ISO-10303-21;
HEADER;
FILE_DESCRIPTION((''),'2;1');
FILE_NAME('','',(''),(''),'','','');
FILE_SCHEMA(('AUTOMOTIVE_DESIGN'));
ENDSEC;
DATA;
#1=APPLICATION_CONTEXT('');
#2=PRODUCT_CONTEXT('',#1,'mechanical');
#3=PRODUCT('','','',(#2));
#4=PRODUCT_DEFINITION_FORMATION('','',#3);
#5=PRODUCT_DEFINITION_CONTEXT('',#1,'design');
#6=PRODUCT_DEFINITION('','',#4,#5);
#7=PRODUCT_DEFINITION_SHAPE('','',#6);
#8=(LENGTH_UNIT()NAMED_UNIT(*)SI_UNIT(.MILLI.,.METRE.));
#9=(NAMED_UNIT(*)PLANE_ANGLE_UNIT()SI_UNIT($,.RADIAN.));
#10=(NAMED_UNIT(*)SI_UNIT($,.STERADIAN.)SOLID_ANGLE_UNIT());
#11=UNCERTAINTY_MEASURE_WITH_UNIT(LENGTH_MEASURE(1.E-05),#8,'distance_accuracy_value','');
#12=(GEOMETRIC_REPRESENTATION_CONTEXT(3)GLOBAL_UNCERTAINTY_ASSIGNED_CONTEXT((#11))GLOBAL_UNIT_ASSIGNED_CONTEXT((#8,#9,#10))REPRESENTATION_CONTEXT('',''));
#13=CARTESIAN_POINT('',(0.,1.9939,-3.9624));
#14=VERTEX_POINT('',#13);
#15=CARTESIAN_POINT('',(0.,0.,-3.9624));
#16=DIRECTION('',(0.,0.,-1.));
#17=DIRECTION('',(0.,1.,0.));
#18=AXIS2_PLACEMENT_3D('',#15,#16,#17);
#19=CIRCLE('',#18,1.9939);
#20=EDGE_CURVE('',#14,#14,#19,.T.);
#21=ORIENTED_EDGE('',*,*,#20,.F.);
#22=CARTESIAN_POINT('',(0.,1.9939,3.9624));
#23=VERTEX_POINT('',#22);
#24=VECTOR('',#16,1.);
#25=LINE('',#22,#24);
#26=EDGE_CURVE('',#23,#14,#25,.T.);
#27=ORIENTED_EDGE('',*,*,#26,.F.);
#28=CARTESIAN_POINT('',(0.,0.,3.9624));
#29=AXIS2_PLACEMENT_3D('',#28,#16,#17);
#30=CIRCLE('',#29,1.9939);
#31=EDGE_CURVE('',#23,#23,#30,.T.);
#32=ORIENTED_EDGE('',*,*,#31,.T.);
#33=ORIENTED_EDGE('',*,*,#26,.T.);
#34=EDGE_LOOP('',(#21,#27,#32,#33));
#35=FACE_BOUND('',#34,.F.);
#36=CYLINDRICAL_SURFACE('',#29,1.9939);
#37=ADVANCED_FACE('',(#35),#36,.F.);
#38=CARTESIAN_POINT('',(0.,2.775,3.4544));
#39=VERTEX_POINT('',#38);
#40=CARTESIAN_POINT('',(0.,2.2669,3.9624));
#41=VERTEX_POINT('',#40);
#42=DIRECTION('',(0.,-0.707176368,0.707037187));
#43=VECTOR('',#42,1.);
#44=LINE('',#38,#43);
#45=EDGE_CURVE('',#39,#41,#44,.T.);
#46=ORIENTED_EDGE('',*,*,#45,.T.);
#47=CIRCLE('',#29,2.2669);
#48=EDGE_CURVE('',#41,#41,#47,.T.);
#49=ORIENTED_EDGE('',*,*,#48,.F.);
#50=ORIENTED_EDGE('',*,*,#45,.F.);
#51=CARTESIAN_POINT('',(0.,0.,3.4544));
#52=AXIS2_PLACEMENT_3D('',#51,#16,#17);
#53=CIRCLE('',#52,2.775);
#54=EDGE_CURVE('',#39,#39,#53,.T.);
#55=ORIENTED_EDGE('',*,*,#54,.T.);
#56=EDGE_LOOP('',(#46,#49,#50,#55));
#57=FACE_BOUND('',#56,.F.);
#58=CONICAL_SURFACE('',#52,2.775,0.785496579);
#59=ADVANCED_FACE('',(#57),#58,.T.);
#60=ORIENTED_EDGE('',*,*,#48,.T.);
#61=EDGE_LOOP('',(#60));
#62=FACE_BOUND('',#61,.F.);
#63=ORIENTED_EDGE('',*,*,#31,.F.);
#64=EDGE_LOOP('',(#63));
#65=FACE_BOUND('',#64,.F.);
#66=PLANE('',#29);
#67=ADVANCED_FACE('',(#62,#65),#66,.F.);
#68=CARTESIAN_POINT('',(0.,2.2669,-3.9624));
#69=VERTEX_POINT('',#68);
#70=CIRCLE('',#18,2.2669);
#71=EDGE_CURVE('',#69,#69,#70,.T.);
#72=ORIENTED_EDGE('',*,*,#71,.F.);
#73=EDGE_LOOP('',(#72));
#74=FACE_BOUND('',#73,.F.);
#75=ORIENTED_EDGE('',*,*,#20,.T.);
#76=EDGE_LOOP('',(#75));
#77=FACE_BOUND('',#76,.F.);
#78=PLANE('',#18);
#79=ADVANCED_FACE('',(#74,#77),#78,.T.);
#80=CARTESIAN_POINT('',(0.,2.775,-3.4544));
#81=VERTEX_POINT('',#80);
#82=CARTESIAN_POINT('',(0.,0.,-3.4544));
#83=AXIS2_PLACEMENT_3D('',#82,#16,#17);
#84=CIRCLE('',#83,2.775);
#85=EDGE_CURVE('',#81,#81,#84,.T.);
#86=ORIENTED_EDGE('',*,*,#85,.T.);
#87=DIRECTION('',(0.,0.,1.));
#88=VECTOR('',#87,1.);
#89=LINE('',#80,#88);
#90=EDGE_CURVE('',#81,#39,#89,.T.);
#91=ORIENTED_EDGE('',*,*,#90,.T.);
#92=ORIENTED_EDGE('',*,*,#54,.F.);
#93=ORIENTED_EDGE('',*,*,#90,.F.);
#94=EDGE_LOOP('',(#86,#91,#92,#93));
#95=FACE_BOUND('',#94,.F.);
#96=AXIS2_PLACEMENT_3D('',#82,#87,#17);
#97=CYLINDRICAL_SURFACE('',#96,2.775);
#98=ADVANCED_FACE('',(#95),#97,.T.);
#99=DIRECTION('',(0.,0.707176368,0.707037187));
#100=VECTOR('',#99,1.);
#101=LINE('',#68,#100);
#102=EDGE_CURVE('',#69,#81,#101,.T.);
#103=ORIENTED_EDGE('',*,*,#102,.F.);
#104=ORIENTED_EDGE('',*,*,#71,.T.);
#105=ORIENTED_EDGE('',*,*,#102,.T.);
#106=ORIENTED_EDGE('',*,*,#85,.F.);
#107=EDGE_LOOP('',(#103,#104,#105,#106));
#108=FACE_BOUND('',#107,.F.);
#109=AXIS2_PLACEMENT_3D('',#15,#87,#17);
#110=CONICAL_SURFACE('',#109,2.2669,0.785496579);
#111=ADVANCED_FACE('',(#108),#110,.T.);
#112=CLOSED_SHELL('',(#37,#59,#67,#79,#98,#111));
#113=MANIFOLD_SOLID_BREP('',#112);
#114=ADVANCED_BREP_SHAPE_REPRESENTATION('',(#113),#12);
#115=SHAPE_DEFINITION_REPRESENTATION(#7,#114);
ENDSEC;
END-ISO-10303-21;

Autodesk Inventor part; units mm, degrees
sketch "Sketch_1" plane through (0, 0, 0) normal (1, 0, 0) x (0, 1, 0)
  line L0 (0, -3.9624) -> (0, 3.9624)
  line L1 (1.9939, 3.9624) -> (1.9939, -3.9624)
  line L2 (1.9939, -3.9624) -> (2.2669, -3.9624)
  line L3 (2.2669, -3.9624) -> (2.775, -3.4544)
  line L4 (2.775, -3.4544) -> (2.775, 3.4544)
  line L5 (2.775, 3.4544) -> (2.2669, 3.9624)
  line L6 (2.2669, 3.9624) -> (1.9939, 3.9624)
revolve "Revolution1" add sketch "Sketch_1" angle 360 about axis through (0, 0, -3.9624) along (0, 0, -1)
ref_plane "bushing_XY" through (0, 0, 0) normal (0, 0, 1) x (1, 0, 0)
ref_plane "bushing_YZ" through (0, 0, 0) normal (1, 0, 0) x (0, 1, 0)
ref_plane "bushing_ZX" through (0, 0, 0) normal (0, 1, 0) x (0, 0, 1)
ref_plane "id1_XY" through (-1.9939, 0, 0) normal (0, 0, 1) x (1, 0, 0)
ref_plane "id1_YZ" through (-1.9939, 0, 0) normal (1, 0, 0) x (0, 1, 0)
ref_plane "id1_ZX" through (-1.9939, 0, 0) normal (0, 1, 0) x (0, 0, 1)
ref_plane "id2_XY" through (1.9939, 0, 0) normal (0, 0, 1) x (1, 0, 0)
ref_plane "id2_YZ" through (1.9939, 0, 0) normal (1, 0, 0) x (0, 1, 0)
ref_plane "id2_ZX" through (1.9939, 0, 0) normal (0, 1, 0) x (0, 0, 1)
ref_plane "id3_XY" through (0, 0, -3.9624) normal (0, 0, -1) x (0, 1, 0)
ref_plane "id3_YZ" through (0, 0, -3.9624) normal (0, 1, 0) x (1, 0, 0)
ref_plane "id3_ZX" through (0, 0, -3.9624) normal (1, 0, 0) x (0, 0, -1)
ref_plane "id4_XY" through (0, 0, 3.9624) normal (0, 0, 1) x (0, 1, 0)
ref_plane "id4_YZ" through (0, 0, 3.9624) normal (0, 1, 0) x (-1, 0, 0)
ref_plane "id4_ZX" through (0, 0, 3.9624) normal (-1, 0, 0) x (0, 0, 1)
properties part number "D-8597"
